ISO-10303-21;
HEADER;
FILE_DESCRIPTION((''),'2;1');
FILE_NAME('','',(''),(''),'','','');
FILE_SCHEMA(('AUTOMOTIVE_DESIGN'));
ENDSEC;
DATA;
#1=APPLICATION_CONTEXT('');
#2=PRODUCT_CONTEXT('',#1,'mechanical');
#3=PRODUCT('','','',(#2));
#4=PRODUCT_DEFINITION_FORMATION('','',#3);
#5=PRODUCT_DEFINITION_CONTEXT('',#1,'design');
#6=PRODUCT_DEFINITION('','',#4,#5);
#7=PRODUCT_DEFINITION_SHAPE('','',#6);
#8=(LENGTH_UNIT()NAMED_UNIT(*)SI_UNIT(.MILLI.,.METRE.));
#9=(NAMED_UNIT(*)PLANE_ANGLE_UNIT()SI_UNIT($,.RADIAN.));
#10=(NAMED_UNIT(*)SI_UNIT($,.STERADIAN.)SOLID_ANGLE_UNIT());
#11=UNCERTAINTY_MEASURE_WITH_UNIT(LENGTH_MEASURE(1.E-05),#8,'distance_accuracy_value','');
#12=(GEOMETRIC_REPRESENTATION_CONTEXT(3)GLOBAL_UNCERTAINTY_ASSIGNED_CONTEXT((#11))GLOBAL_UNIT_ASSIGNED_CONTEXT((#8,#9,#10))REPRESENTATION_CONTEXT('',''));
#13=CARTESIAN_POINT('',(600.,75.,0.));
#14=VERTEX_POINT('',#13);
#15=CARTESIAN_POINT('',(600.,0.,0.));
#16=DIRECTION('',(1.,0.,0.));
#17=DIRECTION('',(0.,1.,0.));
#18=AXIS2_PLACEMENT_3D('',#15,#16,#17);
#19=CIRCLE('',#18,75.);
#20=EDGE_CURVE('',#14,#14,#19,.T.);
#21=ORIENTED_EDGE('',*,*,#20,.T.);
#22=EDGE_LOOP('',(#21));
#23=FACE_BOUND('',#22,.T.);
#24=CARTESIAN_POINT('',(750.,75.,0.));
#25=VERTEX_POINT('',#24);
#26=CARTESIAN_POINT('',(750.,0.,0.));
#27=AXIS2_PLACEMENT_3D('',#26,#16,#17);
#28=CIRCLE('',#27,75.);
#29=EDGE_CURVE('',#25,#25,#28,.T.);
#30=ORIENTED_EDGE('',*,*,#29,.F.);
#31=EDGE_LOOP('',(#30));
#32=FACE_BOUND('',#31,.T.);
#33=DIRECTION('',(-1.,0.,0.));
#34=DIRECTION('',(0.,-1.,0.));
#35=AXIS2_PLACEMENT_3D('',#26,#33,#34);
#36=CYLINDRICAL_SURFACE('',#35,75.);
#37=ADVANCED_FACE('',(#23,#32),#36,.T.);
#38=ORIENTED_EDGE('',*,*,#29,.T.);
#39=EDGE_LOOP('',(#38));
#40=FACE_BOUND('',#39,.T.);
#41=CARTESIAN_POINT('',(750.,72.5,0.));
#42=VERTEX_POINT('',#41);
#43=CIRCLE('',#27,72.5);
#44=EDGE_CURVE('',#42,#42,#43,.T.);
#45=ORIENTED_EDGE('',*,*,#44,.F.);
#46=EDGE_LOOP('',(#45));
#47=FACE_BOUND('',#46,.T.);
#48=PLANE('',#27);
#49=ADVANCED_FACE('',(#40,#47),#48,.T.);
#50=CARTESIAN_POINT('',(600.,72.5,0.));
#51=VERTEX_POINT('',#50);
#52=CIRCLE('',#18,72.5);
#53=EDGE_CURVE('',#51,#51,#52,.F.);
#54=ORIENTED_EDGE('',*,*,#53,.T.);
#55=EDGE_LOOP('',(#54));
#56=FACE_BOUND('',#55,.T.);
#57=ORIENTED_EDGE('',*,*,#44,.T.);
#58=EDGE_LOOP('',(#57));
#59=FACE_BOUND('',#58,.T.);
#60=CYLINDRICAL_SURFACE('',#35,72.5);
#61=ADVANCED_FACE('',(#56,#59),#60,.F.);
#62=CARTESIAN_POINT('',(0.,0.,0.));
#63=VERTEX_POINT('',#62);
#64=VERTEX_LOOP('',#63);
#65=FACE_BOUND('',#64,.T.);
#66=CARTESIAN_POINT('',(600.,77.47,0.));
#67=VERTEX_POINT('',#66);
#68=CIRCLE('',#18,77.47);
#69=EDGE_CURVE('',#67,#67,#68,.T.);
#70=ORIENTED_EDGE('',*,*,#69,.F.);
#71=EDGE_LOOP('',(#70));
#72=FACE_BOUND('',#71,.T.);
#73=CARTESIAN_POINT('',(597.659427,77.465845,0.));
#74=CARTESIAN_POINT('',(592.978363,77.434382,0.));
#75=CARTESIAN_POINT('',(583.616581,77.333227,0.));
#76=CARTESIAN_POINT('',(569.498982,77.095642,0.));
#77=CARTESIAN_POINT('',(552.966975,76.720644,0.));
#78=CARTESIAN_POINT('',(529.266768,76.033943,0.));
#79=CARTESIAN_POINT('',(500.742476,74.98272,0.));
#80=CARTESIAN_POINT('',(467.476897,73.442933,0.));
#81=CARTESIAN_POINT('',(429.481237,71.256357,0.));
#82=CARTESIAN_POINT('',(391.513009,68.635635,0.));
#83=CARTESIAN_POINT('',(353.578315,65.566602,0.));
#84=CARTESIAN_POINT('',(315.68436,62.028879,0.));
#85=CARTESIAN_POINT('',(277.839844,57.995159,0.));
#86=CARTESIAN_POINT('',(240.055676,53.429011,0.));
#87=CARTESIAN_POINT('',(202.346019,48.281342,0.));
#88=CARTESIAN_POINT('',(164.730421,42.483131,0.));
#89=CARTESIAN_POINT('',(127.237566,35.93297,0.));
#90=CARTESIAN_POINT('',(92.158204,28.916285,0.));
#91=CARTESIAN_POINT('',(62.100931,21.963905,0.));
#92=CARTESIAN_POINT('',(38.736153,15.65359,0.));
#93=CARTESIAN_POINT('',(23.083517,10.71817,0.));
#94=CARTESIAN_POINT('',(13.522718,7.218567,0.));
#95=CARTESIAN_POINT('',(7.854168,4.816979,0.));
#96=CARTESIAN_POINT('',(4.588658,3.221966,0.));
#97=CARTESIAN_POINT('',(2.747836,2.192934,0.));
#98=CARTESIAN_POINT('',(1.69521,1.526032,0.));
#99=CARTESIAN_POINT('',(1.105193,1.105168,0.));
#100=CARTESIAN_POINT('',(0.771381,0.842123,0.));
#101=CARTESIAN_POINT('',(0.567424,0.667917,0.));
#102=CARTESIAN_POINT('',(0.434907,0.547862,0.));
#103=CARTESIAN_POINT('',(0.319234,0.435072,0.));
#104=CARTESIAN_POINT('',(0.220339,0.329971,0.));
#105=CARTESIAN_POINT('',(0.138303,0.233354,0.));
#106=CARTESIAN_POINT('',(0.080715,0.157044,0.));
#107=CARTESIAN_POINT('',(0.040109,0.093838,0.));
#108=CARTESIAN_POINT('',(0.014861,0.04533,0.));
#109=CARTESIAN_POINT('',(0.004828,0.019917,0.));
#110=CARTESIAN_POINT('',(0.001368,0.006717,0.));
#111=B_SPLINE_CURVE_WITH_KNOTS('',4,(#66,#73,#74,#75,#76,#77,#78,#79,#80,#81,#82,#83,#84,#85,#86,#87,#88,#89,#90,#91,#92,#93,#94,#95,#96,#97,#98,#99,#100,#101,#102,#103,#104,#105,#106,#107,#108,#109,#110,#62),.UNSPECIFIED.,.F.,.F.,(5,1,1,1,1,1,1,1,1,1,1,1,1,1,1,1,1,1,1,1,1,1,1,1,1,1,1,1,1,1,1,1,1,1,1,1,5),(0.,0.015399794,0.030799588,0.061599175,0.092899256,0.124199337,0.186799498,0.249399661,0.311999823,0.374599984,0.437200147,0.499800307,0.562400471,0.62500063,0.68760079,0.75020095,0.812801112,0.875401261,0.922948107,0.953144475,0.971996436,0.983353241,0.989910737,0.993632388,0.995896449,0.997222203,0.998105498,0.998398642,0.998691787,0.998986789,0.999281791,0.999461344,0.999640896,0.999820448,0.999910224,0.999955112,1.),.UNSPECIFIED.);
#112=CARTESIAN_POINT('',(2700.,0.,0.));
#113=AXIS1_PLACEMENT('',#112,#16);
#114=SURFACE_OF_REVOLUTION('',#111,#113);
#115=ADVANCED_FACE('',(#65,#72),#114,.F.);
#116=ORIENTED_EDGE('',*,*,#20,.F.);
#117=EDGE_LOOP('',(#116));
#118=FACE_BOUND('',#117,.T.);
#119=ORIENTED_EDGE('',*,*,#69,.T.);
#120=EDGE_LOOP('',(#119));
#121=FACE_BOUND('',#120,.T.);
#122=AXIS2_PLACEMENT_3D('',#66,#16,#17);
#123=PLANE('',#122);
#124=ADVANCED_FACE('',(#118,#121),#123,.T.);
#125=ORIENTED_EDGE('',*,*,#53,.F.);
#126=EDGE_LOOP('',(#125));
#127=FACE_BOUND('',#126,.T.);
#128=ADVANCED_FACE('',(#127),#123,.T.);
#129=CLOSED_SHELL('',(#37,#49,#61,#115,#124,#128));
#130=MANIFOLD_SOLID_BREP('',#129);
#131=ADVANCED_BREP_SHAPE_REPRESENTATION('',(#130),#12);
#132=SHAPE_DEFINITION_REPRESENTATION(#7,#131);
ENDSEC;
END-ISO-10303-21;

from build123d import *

# Parameters (mm, degrees)
ESQUISSE2_R        = 75
ESQUISSE2_R_2      = 72.5
BOSS_EXTRU_1_DEPTH = 150


with BuildPart() as part:
    # Esquisse1 → Révolution2 (revolve)
    with BuildSketch(Plane.XY):
        with BuildLine():
            Line((600, 77.47), (600, 0))
            Line((600, 0), (0, 0))
            add(Edge.make_bspline(
                [(0, 0), (0.001368209, 0.006717054), (0.004827879, 0.019916848), (0.014861135, 0.045329548), (0.040109462, 0.093838359), (0.080714574, 0.157043573), (0.138303004, 0.233353669), (0.220339344, 0.329970565), (0.319234099, 0.435072494), (0.434907239, 0.547862018), (0.567424397, 0.667916865), (0.77138124, 0.842123474), (1.105192587, 1.105167654), (1.695210245, 1.526031902), (2.747835687, 2.192934332), (4.58865834, 3.221966447), (7.854167938, 4.816978698), (13.522718171, 7.218567437), (23.083517428, 10.718170388), (38.736152508, 15.653589654), (62.100931146, 21.963904539), (92.158204371, 28.916284866), (127.237565622, 35.932970079), (164.730421006, 42.483131418), (202.346019248, 48.281341783), (240.055676064, 53.429010598), (277.839844478, 57.995158719), (315.684360025, 62.028879064), (353.578315333, 65.566601852), (391.513008679, 68.635634982), (429.481236678, 71.256357435), (467.476897077, 73.442933418), (500.742476414, 74.982720386), (529.266767626, 76.033942798), (552.966974815, 76.720644239), (569.49898194, 77.095642081), (583.616580802, 77.333227016), (592.97836336, 77.434381513), (597.659426856, 77.465844708), (600, 77.47)],
                knots=[0, 0, 0, 0, 0, 4.4888e-05, 8.9776e-05, 0.000179552, 0.000359104, 0.000538656, 0.000718209, 0.001013211, 0.001308213, 0.001601358, 0.001894502, 0.002777797, 0.004103551, 0.006367612, 0.010089263, 0.016646759, 0.028003564, 0.046855525, 0.077051893, 0.124598739, 0.187198888, 0.24979905, 0.31239921, 0.37499937, 0.437599529, 0.500199693, 0.562799853, 0.625400016, 0.688000177, 0.750600339, 0.813200502, 0.875800663, 0.907100744, 0.938400825, 0.969200412, 0.984600206, 1, 1, 1, 1, 1], degree=4))
        make_face()
    revolve(axis=Axis((2700, 0, 0), (-1, 0, 0)))

    # Esquisse2 → Boss.-Extru.1 (add)
    with BuildSketch(Plane(origin=(600, 0, 0), x_dir=(0, 0, -1), z_dir=(1, 0, 0))):
        with Locations(Location((0, 0, 0), (0, 0, 90))):
            Circle(ESQUISSE2_R)
        with Locations(Location((0, 0, 0), (0, 0, 90))):
            Circle(ESQUISSE2_R_2, mode=Mode.SUBTRACT)
    extrude(amount=BOSS_EXTRU_1_DEPTH)


solid = part.part
